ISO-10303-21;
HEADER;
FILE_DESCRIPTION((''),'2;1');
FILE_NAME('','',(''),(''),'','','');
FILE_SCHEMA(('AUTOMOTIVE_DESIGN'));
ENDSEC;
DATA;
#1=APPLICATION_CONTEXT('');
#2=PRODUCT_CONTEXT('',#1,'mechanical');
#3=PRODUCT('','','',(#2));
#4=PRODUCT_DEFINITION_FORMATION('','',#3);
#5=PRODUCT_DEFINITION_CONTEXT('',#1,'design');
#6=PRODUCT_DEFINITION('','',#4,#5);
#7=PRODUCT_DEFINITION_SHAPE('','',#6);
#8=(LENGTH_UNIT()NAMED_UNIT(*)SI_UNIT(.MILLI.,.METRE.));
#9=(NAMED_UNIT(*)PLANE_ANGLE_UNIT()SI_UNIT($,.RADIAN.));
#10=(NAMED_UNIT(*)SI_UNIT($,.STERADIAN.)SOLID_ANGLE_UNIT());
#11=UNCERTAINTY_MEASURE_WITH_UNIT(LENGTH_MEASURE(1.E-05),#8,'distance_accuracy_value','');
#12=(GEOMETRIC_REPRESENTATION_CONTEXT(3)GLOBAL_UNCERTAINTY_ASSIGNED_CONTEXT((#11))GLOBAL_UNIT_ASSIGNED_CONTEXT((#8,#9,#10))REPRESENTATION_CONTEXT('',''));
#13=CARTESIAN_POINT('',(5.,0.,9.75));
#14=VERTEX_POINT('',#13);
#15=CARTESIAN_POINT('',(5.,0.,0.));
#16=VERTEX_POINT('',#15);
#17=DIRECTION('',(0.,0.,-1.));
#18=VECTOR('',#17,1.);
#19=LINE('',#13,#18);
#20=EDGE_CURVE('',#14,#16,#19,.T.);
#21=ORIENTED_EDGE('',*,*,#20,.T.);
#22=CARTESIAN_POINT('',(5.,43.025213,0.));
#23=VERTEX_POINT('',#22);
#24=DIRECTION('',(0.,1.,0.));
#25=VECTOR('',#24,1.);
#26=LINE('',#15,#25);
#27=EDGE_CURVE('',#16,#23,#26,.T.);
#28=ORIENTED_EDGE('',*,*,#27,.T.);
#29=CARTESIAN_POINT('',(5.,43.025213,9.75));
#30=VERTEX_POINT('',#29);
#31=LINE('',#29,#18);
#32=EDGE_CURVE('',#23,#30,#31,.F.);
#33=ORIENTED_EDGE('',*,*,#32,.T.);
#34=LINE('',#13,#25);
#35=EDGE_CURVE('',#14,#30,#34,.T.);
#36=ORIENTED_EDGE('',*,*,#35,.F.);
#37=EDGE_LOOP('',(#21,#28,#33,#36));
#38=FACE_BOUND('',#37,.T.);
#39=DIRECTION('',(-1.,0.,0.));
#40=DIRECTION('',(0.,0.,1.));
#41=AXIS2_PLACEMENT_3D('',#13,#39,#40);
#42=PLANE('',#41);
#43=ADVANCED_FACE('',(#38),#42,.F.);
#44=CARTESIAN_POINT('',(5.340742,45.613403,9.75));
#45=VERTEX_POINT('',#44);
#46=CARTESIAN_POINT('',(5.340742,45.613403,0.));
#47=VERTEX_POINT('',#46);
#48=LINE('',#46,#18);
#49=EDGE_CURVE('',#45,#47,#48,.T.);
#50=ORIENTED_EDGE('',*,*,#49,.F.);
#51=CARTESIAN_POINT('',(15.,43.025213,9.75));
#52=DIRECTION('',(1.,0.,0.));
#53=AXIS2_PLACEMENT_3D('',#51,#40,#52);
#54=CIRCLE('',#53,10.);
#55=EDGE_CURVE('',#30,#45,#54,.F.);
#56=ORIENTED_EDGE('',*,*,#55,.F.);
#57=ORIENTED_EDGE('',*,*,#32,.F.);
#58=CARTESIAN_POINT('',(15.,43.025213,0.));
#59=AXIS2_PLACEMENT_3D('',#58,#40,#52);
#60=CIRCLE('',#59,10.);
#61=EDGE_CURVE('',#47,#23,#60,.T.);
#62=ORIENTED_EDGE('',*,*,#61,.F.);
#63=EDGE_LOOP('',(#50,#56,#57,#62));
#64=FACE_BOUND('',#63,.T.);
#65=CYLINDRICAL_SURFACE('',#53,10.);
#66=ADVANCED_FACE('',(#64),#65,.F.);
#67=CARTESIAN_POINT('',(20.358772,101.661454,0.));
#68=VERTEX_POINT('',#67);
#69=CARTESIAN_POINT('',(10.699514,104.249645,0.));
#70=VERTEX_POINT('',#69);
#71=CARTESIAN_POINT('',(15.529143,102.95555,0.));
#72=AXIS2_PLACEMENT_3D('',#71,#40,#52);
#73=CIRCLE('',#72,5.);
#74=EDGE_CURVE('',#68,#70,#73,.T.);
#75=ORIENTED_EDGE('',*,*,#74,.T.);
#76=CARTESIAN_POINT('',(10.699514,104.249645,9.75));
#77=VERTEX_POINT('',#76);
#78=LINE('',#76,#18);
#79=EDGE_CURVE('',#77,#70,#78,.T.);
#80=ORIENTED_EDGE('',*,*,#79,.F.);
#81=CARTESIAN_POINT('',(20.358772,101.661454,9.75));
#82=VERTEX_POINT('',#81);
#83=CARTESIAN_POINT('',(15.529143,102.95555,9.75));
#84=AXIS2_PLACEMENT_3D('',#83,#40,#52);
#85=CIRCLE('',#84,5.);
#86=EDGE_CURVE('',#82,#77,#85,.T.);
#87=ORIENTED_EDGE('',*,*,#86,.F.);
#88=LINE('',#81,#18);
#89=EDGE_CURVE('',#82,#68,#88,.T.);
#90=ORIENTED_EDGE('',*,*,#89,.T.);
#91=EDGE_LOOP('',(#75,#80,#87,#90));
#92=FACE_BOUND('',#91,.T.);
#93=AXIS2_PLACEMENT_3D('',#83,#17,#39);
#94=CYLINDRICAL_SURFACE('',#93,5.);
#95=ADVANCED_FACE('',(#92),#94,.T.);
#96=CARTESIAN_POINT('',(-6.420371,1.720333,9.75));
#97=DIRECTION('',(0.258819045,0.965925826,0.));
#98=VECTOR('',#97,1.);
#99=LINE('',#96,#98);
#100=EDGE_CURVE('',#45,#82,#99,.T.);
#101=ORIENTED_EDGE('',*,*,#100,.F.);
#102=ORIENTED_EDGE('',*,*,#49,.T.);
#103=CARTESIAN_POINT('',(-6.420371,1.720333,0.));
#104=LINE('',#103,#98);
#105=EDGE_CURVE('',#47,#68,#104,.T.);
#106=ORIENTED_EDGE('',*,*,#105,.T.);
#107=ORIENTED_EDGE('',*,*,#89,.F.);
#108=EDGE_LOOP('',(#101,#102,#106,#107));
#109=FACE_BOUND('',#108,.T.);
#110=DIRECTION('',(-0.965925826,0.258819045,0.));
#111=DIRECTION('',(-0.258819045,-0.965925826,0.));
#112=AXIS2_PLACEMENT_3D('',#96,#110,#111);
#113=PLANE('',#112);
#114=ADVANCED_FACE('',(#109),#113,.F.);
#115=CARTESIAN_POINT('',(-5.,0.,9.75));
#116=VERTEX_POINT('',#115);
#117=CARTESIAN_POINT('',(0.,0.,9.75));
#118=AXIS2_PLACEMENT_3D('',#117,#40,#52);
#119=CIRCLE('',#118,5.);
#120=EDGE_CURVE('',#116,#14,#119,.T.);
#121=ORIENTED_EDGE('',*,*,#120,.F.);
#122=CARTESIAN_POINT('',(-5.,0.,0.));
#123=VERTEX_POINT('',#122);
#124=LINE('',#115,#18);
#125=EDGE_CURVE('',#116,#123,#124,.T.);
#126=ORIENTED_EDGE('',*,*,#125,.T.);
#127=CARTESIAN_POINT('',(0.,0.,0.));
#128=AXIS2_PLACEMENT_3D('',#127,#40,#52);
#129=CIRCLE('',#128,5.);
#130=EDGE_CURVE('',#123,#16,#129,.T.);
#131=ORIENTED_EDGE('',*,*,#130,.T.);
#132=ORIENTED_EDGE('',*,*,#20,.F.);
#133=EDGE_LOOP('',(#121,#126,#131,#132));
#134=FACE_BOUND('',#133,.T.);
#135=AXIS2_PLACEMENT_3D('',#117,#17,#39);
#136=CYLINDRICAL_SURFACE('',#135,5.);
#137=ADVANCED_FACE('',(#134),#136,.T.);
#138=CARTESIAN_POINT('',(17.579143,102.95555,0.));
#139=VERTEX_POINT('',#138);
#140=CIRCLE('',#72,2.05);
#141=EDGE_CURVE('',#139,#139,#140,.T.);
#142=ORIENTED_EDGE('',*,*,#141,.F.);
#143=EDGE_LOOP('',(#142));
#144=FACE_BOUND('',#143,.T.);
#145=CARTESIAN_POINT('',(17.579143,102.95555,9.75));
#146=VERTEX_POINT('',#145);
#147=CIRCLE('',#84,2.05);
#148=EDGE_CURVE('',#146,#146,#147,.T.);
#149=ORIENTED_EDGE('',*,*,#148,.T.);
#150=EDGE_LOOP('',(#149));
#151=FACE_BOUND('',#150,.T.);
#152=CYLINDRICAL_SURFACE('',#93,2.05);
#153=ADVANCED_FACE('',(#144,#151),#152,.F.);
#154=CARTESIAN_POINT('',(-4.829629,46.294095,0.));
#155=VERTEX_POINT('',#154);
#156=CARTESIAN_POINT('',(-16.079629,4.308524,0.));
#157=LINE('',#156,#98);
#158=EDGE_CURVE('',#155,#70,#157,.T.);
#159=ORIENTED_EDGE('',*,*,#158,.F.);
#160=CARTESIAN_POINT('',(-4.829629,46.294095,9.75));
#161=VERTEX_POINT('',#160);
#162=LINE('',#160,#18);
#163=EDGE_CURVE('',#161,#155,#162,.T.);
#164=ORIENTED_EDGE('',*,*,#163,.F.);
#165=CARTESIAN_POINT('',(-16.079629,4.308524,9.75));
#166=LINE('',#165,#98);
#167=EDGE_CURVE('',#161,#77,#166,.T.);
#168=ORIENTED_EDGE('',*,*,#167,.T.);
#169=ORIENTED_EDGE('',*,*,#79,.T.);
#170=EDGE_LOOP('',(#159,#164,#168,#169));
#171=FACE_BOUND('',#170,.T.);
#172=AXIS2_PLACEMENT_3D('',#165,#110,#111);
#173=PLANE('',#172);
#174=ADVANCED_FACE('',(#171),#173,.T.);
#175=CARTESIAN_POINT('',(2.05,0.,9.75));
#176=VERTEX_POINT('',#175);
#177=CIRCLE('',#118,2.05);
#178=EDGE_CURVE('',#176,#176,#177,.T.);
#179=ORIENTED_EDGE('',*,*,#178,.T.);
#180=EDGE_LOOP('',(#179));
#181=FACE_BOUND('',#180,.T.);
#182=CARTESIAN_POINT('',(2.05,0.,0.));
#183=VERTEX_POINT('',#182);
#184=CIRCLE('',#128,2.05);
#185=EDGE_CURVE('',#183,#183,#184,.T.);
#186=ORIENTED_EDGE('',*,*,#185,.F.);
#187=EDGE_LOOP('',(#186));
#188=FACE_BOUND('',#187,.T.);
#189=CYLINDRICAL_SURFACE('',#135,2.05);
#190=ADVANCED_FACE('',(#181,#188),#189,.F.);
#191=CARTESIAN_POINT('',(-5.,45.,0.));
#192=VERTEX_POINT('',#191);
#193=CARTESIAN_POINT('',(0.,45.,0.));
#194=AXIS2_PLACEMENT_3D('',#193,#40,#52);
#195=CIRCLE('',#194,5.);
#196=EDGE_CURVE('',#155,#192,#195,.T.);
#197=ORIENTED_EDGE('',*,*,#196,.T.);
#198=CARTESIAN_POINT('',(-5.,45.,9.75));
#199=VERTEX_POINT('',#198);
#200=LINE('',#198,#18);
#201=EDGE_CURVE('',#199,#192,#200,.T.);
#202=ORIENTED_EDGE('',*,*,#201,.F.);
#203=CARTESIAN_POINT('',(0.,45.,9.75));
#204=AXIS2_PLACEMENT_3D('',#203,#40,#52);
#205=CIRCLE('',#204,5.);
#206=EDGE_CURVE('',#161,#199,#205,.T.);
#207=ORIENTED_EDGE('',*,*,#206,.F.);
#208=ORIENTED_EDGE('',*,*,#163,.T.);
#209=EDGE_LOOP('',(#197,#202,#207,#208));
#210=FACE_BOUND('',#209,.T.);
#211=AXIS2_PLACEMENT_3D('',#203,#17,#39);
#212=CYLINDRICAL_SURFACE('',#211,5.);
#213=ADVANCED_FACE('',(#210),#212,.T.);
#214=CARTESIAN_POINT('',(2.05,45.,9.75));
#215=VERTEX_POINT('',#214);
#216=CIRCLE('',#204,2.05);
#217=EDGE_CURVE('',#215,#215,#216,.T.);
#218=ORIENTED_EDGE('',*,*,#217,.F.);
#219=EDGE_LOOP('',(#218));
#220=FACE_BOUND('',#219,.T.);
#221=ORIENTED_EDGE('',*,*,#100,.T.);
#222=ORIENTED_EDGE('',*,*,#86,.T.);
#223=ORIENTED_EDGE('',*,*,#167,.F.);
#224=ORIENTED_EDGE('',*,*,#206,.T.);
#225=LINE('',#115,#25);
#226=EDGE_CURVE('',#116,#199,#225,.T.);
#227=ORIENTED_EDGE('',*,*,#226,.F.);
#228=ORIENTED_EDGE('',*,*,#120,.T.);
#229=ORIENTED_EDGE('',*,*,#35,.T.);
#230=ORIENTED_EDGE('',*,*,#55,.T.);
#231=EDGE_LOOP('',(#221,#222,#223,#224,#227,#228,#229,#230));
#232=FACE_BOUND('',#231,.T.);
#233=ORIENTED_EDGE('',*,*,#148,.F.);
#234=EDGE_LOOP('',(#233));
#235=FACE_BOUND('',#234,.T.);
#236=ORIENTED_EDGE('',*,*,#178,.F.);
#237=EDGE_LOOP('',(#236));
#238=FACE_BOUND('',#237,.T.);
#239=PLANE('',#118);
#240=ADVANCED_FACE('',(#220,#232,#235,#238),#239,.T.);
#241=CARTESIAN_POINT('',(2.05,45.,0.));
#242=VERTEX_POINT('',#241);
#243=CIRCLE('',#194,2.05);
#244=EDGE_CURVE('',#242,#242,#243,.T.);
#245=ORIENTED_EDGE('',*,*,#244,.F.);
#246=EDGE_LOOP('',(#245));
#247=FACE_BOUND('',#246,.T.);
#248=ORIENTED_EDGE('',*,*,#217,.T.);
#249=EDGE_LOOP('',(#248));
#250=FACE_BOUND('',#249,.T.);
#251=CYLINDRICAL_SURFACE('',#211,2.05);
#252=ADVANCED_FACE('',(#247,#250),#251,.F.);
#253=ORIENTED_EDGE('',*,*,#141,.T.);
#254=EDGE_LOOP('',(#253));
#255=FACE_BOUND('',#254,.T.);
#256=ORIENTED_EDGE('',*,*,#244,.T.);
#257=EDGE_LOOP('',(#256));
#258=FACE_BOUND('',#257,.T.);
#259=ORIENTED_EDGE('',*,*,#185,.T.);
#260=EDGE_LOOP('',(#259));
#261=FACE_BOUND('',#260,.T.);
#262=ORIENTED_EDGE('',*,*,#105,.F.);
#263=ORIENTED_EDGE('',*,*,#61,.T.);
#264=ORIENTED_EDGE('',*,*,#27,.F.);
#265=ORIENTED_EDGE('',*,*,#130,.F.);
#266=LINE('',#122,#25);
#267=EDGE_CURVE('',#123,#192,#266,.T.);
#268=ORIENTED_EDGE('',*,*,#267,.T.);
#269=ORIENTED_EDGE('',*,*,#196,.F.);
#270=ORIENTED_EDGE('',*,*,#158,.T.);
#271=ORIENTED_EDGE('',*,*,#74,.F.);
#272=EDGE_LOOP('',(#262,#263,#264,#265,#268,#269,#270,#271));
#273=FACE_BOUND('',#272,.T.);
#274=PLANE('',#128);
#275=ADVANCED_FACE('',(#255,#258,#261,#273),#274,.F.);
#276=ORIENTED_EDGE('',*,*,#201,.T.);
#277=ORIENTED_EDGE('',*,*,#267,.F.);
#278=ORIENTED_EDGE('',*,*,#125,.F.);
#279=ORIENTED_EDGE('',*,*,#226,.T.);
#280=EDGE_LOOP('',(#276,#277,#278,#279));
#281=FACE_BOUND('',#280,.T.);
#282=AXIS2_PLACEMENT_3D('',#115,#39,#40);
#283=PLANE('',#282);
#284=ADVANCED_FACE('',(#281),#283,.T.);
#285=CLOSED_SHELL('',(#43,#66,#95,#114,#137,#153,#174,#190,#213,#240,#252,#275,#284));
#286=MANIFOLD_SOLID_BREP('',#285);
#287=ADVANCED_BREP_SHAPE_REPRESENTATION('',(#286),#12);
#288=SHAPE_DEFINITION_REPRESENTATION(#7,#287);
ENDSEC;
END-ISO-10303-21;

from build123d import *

# Parameters (mm, degrees)
ESQUISSE1_R        = 2.05
BOSS_EXTRU_1_DEPTH = 9.75
CONG_1_R           = 10


with BuildPart() as part:
    # Esquisse1 → Boss.-Extru.1 (new body)
    # profile 1 of 3: a face of its own
    with BuildSketch(Plane.XY):
        with BuildLine():
            Line((10.699513575, 104.249644803), (-4.829629131, 46.294095226))
            ThreePointArc((-4.829629131, 46.294095226), (0.652630961, 49.957224307), (5, 45))
            Line((5, 45), (5, 44.341737512))
            Line((5, 44.341737512), (20.358771838, 101.661454352))
            ThreePointArc((20.358771838, 101.661454352), (16.823237932, 107.785178709), (10.699513575, 104.249644803))
        make_face()
        with Locations((15.529142706, 102.955549577)):
            Circle(ESQUISSE1_R, mode=Mode.SUBTRACT)
    # profile 2 of 3: a face of its own
    with BuildSketch(Plane.XY):
        with BuildLine():
            ThreePointArc((-4.829629131, 46.294095226), (-4.957224307, 45.652630961), (-5, 45))
            ThreePointArc((-5, 45), (-0.652630961, 40.042775693), (4.829629131, 43.705904774))
            Line((4.829629131, 43.705904774), (5, 44.341737512))
            Line((5, 44.341737512), (5, 45))
            ThreePointArc((5, 45), (0.652630961, 49.957224307), (-4.829629131, 46.294095226))
        make_face()
        with Locations((0, 45)):
            Circle(ESQUISSE1_R, mode=Mode.SUBTRACT)
    # profile 3 of 3: a face of its own
    with BuildSketch(Plane.XY):
        with BuildLine():
            Line((-5, 45), (-5, 0))
            ThreePointArc((-5, 0), (0, -5), (5, 0))
            Line((5, 0), (5, 44.341737512))
            Line((5, 44.341737512), (4.829629131, 43.705904774))
            ThreePointArc((4.829629131, 43.705904774), (-0.652630961, 40.042775693), (-5, 45))
        make_face()
        Circle(ESQUISSE1_R, mode=Mode.SUBTRACT)
    extrude(amount=BOSS_EXTRU_1_DEPTH)

    # Congé1
    cong_1_edges = [part.edges().sort_by_distance(p)[0] for p in [
        (5, 44.341737512, 4.875),
    ]]
    fillet(cong_1_edges, radius=CONG_1_R)


solid = part.part
